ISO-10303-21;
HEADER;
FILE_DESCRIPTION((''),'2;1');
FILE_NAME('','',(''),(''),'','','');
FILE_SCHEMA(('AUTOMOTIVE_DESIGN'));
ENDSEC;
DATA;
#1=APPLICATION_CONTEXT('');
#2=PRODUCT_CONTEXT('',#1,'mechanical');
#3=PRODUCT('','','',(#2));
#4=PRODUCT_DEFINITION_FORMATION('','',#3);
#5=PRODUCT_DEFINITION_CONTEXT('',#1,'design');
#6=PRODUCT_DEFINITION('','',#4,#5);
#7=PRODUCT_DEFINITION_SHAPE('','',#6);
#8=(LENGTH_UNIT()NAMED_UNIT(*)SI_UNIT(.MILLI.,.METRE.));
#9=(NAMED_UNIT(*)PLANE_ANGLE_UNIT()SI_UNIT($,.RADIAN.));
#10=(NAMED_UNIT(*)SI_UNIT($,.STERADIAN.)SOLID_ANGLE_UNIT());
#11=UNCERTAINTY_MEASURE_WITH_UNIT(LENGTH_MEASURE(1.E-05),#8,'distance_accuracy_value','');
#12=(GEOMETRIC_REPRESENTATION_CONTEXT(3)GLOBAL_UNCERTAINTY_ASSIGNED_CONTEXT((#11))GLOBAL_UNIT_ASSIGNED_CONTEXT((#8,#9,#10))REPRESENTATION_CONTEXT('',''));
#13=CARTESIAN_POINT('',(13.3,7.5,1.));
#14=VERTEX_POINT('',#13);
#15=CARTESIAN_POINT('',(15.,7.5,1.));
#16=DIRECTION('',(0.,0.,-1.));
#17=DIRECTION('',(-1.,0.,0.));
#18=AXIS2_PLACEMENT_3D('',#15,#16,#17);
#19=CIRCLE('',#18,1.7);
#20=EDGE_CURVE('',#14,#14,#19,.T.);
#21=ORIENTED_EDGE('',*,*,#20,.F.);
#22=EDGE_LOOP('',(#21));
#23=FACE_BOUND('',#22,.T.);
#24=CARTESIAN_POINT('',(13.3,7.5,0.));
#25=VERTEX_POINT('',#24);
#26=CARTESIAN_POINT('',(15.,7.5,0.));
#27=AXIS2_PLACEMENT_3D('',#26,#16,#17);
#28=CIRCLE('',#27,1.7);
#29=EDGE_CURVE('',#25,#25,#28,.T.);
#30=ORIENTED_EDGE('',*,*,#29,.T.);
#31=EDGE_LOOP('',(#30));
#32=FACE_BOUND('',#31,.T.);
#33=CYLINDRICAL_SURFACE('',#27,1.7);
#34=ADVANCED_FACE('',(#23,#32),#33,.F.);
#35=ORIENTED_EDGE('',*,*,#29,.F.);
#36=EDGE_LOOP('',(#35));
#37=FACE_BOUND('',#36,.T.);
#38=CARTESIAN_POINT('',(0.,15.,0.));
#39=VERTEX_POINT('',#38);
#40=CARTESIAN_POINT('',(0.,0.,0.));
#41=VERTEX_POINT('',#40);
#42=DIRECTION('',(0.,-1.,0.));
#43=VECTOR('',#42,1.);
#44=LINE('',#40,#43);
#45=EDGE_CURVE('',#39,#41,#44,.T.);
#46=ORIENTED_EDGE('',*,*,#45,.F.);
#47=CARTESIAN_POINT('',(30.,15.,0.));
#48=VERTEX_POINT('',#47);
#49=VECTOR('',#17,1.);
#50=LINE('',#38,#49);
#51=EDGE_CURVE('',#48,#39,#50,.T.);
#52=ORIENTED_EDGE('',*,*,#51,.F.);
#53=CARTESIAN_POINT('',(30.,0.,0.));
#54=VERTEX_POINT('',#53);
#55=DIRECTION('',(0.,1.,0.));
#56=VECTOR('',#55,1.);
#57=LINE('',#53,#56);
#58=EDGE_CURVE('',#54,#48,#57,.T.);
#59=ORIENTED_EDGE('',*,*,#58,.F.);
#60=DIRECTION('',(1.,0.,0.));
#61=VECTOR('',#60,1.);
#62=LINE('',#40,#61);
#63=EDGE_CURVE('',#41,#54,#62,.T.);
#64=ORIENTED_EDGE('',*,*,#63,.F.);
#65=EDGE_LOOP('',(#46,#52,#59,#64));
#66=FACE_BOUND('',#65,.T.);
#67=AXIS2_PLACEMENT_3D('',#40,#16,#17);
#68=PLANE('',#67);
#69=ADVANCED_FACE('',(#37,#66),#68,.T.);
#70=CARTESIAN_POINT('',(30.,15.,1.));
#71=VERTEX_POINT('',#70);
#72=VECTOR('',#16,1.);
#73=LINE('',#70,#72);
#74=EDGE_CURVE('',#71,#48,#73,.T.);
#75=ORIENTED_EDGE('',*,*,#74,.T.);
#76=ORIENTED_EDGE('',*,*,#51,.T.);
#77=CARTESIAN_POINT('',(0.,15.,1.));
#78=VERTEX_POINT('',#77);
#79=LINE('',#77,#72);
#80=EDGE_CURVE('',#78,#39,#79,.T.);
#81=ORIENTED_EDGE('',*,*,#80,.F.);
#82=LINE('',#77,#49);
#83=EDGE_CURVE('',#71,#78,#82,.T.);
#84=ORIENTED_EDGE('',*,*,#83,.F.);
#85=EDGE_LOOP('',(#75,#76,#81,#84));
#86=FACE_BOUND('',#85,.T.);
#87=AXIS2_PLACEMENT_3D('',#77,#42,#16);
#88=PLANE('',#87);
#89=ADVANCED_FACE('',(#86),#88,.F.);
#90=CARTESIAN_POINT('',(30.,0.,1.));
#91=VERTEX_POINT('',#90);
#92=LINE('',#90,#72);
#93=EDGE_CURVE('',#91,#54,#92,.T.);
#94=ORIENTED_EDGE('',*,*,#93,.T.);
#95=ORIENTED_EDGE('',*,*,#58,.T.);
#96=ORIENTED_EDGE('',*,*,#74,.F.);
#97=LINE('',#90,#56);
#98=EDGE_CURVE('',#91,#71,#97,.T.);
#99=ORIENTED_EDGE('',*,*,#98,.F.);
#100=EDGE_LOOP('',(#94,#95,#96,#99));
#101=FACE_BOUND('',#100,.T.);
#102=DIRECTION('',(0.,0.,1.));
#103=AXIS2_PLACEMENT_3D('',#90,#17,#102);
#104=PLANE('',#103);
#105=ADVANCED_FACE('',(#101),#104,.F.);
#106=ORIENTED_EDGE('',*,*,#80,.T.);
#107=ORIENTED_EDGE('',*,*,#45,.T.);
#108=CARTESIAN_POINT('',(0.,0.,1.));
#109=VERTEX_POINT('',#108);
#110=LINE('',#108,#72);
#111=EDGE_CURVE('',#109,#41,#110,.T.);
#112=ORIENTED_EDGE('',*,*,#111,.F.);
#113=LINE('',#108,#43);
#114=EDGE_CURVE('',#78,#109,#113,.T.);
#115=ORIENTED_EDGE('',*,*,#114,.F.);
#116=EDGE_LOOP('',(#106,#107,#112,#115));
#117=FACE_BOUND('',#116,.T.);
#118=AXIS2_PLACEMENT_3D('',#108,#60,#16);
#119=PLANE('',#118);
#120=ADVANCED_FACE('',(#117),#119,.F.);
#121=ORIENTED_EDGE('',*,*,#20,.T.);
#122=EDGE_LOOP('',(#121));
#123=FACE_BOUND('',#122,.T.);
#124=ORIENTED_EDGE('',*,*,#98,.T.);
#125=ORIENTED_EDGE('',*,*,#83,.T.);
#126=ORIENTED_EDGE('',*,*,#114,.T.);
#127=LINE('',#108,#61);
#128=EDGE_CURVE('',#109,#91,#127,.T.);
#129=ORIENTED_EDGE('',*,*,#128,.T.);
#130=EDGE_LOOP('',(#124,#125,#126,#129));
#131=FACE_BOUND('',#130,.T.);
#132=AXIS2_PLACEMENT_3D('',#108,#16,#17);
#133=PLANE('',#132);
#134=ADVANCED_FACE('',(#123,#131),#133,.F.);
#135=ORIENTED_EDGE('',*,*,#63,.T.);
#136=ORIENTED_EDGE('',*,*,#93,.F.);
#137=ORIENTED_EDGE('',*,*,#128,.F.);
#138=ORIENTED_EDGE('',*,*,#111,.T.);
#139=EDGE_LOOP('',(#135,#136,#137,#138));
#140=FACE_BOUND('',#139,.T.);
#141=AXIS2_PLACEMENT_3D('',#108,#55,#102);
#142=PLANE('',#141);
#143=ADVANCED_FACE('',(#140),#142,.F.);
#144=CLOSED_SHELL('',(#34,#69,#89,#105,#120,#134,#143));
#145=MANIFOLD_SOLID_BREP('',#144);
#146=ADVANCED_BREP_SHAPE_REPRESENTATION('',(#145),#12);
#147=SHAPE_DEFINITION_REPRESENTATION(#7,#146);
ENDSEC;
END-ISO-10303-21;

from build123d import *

# Parameters (mm, degrees)
SKETCH1_W            = 30
SKETCH1_H            = 15
BOSS_EXTRUDE1_DEPTH  = 1
M3_CLEARANCE_HOLE1_D = 3.4


with BuildPart() as part:
    # Sketch1 → Boss-Extrude1 (new body)
    with BuildSketch(Plane.XY):
        with Locations((15, 7.5)):
            Rectangle(SKETCH1_W, SKETCH1_H)
    extrude(amount=BOSS_EXTRUDE1_DEPTH)

    # M3 Clearance Hole1 (through all)
    with Locations(Plane(origin=(0, 0, 0), x_dir=(-1, 0, 0), z_dir=(0, 0, -1))):
        with Locations((-15, 7.5)):
            Hole(M3_CLEARANCE_HOLE1_D / 2)


solid = part.part
